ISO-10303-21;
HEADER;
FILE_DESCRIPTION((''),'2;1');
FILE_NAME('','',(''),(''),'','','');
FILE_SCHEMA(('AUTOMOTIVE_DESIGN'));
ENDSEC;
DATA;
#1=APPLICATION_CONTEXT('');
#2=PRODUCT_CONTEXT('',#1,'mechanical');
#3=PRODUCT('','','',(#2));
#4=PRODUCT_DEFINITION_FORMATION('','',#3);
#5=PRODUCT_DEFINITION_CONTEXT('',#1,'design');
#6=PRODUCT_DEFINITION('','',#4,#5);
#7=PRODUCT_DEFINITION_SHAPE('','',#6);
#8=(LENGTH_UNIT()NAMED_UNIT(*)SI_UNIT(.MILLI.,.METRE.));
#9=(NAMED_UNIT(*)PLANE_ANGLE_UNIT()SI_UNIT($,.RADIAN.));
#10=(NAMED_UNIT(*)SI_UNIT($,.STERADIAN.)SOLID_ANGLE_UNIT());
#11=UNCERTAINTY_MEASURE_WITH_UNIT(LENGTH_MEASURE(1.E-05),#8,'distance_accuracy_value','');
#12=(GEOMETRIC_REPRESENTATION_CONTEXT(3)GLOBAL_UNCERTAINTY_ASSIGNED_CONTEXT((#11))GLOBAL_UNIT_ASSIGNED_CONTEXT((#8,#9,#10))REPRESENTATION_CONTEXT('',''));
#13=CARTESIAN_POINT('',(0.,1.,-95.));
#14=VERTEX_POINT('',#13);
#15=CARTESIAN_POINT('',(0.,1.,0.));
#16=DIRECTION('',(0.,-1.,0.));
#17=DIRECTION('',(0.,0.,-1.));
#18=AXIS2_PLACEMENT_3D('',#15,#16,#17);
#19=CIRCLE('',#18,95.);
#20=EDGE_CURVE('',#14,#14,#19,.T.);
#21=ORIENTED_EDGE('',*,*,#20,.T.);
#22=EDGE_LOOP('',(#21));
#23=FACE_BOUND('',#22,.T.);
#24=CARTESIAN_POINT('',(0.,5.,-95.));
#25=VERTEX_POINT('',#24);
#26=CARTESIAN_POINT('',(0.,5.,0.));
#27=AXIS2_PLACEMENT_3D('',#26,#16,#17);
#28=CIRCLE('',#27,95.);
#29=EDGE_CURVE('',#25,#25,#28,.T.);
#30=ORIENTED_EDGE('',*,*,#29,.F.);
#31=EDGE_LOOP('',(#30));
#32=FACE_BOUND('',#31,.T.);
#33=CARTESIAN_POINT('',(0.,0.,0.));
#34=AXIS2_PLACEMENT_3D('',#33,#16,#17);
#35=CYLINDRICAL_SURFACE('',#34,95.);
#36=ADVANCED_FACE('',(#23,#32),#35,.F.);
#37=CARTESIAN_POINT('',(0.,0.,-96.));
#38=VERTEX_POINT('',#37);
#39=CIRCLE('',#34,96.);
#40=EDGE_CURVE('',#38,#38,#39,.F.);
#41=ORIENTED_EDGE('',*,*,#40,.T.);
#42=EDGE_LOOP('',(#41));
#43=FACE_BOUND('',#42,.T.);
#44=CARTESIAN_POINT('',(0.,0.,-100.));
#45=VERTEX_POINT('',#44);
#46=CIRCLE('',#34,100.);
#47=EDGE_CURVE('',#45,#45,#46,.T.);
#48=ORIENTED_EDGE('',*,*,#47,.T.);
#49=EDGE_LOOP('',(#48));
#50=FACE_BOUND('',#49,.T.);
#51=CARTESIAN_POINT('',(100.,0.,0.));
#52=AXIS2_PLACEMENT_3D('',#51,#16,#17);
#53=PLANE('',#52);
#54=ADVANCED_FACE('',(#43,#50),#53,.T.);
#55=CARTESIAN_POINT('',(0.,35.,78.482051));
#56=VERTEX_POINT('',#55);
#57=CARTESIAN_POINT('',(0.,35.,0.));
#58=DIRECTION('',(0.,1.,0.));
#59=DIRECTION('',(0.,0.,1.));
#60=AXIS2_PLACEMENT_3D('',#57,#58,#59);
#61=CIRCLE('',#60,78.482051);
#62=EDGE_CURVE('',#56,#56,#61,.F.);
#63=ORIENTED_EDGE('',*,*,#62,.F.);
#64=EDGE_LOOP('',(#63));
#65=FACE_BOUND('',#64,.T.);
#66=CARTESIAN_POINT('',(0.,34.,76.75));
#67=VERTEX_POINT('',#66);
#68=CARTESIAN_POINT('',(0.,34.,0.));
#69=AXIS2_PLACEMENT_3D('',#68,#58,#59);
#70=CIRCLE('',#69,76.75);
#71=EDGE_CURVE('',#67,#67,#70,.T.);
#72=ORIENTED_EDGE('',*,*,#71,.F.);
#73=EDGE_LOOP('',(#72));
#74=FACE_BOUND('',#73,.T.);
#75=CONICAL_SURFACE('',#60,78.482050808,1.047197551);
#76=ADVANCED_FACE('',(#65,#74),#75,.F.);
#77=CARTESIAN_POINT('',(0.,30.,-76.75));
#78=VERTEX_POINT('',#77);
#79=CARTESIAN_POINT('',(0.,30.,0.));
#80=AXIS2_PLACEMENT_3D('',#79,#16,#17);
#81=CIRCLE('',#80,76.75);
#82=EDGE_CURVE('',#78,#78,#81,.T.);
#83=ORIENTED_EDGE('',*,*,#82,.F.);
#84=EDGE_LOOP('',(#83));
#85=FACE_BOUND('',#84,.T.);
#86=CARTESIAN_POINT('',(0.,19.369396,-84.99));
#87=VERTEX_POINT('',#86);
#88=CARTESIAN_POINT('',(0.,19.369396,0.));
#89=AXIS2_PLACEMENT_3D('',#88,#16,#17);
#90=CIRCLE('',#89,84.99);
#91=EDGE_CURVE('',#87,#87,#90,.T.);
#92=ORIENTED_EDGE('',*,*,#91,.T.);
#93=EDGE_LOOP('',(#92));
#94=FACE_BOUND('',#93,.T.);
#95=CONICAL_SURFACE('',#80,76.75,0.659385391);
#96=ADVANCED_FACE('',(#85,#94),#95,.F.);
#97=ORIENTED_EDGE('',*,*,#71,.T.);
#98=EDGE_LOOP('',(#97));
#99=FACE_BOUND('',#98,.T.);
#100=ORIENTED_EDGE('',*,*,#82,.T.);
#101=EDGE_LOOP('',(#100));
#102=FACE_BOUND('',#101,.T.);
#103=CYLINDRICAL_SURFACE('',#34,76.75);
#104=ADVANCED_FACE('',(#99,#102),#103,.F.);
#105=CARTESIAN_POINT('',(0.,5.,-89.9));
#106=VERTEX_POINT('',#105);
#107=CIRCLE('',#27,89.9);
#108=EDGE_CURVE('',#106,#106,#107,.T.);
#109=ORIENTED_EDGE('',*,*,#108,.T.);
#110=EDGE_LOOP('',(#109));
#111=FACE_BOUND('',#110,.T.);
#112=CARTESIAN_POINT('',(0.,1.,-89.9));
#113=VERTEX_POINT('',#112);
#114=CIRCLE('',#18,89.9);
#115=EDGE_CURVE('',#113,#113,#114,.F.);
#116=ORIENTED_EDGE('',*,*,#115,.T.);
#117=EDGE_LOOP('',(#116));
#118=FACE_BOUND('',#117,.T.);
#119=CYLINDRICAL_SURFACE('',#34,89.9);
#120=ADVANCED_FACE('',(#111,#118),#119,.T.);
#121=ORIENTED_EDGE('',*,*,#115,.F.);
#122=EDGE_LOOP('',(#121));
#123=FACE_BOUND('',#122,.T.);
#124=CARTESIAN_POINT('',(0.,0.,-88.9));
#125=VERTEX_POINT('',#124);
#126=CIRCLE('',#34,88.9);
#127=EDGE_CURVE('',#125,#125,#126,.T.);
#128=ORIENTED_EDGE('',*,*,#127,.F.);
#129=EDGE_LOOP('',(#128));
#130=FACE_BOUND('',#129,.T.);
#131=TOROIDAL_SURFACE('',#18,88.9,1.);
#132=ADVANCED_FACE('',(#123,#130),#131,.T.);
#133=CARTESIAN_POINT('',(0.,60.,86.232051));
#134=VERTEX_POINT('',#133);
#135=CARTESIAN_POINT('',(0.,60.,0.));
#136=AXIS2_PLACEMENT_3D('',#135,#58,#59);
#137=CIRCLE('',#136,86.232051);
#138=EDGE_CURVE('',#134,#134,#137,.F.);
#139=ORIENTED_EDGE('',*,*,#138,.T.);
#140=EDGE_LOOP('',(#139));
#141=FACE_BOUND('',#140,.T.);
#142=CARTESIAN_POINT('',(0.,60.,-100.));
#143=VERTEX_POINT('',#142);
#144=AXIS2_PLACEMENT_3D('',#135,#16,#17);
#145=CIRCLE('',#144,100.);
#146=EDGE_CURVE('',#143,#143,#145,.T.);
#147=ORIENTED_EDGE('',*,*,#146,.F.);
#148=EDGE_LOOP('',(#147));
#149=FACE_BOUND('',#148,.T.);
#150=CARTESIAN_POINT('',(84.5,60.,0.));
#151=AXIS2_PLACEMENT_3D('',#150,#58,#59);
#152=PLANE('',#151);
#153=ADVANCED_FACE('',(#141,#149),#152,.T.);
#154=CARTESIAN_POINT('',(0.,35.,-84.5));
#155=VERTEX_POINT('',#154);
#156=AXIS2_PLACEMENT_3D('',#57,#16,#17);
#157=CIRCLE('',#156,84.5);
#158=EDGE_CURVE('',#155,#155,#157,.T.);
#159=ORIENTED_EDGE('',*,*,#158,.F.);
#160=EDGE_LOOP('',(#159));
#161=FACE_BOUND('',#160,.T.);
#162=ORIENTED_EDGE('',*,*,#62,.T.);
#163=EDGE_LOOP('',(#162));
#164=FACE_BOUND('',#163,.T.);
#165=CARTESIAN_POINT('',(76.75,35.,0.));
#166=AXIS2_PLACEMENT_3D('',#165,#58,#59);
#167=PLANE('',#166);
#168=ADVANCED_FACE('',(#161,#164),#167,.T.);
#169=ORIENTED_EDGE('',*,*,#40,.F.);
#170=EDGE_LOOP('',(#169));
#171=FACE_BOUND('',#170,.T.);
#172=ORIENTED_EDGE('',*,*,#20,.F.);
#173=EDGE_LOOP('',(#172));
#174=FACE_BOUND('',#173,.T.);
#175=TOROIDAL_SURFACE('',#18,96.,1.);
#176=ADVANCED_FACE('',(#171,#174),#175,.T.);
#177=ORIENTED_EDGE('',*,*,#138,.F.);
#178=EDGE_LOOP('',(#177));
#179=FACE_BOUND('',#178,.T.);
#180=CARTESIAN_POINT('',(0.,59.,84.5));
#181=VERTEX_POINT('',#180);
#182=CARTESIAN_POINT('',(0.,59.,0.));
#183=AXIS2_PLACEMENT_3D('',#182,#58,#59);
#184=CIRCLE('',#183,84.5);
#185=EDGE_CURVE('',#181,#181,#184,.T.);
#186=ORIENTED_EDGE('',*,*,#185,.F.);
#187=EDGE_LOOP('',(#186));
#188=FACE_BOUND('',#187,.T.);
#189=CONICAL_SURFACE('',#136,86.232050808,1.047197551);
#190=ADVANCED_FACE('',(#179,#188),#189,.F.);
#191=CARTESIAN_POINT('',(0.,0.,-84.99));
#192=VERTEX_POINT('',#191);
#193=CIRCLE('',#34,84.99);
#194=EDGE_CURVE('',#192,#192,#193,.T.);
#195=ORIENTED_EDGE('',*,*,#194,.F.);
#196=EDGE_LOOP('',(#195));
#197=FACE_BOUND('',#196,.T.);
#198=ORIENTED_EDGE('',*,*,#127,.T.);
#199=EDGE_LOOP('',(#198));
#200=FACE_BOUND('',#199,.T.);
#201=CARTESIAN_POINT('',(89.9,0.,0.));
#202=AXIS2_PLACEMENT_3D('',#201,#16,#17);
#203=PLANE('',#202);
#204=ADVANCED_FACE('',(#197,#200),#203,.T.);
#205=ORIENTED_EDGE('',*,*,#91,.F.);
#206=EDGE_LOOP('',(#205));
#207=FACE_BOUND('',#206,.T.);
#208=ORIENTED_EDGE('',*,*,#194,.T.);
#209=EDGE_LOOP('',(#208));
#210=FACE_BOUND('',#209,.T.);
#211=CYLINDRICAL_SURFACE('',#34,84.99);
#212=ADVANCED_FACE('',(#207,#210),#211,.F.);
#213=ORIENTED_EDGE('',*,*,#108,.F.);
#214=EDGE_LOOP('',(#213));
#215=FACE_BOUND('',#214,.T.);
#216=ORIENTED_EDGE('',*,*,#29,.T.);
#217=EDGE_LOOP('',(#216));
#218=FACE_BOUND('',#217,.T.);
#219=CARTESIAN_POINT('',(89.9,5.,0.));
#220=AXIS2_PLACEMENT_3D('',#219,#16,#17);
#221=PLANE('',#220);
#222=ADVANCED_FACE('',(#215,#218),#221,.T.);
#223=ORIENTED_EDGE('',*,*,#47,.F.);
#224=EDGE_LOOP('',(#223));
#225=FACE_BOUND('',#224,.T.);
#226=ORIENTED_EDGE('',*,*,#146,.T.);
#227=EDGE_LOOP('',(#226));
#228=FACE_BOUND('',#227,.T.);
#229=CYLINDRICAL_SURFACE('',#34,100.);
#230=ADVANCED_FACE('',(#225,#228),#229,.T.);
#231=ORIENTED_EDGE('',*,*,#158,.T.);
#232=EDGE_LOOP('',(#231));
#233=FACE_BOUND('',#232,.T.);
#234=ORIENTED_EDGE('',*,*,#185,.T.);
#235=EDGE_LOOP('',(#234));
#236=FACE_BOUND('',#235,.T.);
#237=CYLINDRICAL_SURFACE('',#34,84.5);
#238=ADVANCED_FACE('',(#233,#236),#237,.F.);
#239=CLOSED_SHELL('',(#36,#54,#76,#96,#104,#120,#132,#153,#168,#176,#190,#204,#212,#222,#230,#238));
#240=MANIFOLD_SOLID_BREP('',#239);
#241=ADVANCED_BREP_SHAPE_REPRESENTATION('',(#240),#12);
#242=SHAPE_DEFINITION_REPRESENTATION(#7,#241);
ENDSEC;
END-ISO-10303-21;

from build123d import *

# Parameters (mm, degrees)
CHAMFER2_SIZE         = 1
CHAMFER2_SIZE2        = 1.732050808
CHAMFER2_PART_2_SIZE  = 1
CHAMFER2_PART_2_SIZE2 = 1.732050808
FILLET1_R             = 1


with BuildPart() as part:
    # Sketch1 → Revolve1 (revolve)
    with BuildSketch(Plane.XY):
        Polygon((84.5, 60), (100, 60), (100, 0), (95, 0), (95, 5), (89.9, 5), (89.9, 0), (84.99, 0), (84.99, 19.369395797), (76.75, 30), (76.75, 35), (84.5, 35), align=None)
    revolve(axis=Axis((0, 0, 0), (0, 1, 0)))

    # Chamfer2
    chamfer2_edges = [part.edges().sort_by_distance(p)[0] for p in [
        (-84.5, 60, 0),
    ]]
    chamfer2_side = [part.faces().sort_by_distance(p)[0] for p in [
        (-84.5, 47.5, 0),
    ]]
    chamfer(chamfer2_edges, length=CHAMFER2_SIZE, length2=CHAMFER2_SIZE2, reference=chamfer2_side[0])

    # Chamfer2 part 2
    chamfer2_part_2_edges = [part.edges().sort_by_distance(p)[0] for p in [
        (-76.75, 35, 0),
    ]]
    chamfer2_part_2_side = [part.faces().sort_by_distance(p)[0] for p in [
        (-76.75, 32.5, 0),
    ]]
    chamfer(chamfer2_part_2_edges, length=CHAMFER2_PART_2_SIZE, length2=CHAMFER2_PART_2_SIZE2, reference=chamfer2_part_2_side[0])

    # Fillet1
    fillet1_edges = [part.edges().sort_by_distance(p)[0] for p in [
        (-95, 0, 0),
        (-89.9, 0, 0),
    ]]
    fillet(fillet1_edges, radius=FILLET1_R)


solid = part.part
